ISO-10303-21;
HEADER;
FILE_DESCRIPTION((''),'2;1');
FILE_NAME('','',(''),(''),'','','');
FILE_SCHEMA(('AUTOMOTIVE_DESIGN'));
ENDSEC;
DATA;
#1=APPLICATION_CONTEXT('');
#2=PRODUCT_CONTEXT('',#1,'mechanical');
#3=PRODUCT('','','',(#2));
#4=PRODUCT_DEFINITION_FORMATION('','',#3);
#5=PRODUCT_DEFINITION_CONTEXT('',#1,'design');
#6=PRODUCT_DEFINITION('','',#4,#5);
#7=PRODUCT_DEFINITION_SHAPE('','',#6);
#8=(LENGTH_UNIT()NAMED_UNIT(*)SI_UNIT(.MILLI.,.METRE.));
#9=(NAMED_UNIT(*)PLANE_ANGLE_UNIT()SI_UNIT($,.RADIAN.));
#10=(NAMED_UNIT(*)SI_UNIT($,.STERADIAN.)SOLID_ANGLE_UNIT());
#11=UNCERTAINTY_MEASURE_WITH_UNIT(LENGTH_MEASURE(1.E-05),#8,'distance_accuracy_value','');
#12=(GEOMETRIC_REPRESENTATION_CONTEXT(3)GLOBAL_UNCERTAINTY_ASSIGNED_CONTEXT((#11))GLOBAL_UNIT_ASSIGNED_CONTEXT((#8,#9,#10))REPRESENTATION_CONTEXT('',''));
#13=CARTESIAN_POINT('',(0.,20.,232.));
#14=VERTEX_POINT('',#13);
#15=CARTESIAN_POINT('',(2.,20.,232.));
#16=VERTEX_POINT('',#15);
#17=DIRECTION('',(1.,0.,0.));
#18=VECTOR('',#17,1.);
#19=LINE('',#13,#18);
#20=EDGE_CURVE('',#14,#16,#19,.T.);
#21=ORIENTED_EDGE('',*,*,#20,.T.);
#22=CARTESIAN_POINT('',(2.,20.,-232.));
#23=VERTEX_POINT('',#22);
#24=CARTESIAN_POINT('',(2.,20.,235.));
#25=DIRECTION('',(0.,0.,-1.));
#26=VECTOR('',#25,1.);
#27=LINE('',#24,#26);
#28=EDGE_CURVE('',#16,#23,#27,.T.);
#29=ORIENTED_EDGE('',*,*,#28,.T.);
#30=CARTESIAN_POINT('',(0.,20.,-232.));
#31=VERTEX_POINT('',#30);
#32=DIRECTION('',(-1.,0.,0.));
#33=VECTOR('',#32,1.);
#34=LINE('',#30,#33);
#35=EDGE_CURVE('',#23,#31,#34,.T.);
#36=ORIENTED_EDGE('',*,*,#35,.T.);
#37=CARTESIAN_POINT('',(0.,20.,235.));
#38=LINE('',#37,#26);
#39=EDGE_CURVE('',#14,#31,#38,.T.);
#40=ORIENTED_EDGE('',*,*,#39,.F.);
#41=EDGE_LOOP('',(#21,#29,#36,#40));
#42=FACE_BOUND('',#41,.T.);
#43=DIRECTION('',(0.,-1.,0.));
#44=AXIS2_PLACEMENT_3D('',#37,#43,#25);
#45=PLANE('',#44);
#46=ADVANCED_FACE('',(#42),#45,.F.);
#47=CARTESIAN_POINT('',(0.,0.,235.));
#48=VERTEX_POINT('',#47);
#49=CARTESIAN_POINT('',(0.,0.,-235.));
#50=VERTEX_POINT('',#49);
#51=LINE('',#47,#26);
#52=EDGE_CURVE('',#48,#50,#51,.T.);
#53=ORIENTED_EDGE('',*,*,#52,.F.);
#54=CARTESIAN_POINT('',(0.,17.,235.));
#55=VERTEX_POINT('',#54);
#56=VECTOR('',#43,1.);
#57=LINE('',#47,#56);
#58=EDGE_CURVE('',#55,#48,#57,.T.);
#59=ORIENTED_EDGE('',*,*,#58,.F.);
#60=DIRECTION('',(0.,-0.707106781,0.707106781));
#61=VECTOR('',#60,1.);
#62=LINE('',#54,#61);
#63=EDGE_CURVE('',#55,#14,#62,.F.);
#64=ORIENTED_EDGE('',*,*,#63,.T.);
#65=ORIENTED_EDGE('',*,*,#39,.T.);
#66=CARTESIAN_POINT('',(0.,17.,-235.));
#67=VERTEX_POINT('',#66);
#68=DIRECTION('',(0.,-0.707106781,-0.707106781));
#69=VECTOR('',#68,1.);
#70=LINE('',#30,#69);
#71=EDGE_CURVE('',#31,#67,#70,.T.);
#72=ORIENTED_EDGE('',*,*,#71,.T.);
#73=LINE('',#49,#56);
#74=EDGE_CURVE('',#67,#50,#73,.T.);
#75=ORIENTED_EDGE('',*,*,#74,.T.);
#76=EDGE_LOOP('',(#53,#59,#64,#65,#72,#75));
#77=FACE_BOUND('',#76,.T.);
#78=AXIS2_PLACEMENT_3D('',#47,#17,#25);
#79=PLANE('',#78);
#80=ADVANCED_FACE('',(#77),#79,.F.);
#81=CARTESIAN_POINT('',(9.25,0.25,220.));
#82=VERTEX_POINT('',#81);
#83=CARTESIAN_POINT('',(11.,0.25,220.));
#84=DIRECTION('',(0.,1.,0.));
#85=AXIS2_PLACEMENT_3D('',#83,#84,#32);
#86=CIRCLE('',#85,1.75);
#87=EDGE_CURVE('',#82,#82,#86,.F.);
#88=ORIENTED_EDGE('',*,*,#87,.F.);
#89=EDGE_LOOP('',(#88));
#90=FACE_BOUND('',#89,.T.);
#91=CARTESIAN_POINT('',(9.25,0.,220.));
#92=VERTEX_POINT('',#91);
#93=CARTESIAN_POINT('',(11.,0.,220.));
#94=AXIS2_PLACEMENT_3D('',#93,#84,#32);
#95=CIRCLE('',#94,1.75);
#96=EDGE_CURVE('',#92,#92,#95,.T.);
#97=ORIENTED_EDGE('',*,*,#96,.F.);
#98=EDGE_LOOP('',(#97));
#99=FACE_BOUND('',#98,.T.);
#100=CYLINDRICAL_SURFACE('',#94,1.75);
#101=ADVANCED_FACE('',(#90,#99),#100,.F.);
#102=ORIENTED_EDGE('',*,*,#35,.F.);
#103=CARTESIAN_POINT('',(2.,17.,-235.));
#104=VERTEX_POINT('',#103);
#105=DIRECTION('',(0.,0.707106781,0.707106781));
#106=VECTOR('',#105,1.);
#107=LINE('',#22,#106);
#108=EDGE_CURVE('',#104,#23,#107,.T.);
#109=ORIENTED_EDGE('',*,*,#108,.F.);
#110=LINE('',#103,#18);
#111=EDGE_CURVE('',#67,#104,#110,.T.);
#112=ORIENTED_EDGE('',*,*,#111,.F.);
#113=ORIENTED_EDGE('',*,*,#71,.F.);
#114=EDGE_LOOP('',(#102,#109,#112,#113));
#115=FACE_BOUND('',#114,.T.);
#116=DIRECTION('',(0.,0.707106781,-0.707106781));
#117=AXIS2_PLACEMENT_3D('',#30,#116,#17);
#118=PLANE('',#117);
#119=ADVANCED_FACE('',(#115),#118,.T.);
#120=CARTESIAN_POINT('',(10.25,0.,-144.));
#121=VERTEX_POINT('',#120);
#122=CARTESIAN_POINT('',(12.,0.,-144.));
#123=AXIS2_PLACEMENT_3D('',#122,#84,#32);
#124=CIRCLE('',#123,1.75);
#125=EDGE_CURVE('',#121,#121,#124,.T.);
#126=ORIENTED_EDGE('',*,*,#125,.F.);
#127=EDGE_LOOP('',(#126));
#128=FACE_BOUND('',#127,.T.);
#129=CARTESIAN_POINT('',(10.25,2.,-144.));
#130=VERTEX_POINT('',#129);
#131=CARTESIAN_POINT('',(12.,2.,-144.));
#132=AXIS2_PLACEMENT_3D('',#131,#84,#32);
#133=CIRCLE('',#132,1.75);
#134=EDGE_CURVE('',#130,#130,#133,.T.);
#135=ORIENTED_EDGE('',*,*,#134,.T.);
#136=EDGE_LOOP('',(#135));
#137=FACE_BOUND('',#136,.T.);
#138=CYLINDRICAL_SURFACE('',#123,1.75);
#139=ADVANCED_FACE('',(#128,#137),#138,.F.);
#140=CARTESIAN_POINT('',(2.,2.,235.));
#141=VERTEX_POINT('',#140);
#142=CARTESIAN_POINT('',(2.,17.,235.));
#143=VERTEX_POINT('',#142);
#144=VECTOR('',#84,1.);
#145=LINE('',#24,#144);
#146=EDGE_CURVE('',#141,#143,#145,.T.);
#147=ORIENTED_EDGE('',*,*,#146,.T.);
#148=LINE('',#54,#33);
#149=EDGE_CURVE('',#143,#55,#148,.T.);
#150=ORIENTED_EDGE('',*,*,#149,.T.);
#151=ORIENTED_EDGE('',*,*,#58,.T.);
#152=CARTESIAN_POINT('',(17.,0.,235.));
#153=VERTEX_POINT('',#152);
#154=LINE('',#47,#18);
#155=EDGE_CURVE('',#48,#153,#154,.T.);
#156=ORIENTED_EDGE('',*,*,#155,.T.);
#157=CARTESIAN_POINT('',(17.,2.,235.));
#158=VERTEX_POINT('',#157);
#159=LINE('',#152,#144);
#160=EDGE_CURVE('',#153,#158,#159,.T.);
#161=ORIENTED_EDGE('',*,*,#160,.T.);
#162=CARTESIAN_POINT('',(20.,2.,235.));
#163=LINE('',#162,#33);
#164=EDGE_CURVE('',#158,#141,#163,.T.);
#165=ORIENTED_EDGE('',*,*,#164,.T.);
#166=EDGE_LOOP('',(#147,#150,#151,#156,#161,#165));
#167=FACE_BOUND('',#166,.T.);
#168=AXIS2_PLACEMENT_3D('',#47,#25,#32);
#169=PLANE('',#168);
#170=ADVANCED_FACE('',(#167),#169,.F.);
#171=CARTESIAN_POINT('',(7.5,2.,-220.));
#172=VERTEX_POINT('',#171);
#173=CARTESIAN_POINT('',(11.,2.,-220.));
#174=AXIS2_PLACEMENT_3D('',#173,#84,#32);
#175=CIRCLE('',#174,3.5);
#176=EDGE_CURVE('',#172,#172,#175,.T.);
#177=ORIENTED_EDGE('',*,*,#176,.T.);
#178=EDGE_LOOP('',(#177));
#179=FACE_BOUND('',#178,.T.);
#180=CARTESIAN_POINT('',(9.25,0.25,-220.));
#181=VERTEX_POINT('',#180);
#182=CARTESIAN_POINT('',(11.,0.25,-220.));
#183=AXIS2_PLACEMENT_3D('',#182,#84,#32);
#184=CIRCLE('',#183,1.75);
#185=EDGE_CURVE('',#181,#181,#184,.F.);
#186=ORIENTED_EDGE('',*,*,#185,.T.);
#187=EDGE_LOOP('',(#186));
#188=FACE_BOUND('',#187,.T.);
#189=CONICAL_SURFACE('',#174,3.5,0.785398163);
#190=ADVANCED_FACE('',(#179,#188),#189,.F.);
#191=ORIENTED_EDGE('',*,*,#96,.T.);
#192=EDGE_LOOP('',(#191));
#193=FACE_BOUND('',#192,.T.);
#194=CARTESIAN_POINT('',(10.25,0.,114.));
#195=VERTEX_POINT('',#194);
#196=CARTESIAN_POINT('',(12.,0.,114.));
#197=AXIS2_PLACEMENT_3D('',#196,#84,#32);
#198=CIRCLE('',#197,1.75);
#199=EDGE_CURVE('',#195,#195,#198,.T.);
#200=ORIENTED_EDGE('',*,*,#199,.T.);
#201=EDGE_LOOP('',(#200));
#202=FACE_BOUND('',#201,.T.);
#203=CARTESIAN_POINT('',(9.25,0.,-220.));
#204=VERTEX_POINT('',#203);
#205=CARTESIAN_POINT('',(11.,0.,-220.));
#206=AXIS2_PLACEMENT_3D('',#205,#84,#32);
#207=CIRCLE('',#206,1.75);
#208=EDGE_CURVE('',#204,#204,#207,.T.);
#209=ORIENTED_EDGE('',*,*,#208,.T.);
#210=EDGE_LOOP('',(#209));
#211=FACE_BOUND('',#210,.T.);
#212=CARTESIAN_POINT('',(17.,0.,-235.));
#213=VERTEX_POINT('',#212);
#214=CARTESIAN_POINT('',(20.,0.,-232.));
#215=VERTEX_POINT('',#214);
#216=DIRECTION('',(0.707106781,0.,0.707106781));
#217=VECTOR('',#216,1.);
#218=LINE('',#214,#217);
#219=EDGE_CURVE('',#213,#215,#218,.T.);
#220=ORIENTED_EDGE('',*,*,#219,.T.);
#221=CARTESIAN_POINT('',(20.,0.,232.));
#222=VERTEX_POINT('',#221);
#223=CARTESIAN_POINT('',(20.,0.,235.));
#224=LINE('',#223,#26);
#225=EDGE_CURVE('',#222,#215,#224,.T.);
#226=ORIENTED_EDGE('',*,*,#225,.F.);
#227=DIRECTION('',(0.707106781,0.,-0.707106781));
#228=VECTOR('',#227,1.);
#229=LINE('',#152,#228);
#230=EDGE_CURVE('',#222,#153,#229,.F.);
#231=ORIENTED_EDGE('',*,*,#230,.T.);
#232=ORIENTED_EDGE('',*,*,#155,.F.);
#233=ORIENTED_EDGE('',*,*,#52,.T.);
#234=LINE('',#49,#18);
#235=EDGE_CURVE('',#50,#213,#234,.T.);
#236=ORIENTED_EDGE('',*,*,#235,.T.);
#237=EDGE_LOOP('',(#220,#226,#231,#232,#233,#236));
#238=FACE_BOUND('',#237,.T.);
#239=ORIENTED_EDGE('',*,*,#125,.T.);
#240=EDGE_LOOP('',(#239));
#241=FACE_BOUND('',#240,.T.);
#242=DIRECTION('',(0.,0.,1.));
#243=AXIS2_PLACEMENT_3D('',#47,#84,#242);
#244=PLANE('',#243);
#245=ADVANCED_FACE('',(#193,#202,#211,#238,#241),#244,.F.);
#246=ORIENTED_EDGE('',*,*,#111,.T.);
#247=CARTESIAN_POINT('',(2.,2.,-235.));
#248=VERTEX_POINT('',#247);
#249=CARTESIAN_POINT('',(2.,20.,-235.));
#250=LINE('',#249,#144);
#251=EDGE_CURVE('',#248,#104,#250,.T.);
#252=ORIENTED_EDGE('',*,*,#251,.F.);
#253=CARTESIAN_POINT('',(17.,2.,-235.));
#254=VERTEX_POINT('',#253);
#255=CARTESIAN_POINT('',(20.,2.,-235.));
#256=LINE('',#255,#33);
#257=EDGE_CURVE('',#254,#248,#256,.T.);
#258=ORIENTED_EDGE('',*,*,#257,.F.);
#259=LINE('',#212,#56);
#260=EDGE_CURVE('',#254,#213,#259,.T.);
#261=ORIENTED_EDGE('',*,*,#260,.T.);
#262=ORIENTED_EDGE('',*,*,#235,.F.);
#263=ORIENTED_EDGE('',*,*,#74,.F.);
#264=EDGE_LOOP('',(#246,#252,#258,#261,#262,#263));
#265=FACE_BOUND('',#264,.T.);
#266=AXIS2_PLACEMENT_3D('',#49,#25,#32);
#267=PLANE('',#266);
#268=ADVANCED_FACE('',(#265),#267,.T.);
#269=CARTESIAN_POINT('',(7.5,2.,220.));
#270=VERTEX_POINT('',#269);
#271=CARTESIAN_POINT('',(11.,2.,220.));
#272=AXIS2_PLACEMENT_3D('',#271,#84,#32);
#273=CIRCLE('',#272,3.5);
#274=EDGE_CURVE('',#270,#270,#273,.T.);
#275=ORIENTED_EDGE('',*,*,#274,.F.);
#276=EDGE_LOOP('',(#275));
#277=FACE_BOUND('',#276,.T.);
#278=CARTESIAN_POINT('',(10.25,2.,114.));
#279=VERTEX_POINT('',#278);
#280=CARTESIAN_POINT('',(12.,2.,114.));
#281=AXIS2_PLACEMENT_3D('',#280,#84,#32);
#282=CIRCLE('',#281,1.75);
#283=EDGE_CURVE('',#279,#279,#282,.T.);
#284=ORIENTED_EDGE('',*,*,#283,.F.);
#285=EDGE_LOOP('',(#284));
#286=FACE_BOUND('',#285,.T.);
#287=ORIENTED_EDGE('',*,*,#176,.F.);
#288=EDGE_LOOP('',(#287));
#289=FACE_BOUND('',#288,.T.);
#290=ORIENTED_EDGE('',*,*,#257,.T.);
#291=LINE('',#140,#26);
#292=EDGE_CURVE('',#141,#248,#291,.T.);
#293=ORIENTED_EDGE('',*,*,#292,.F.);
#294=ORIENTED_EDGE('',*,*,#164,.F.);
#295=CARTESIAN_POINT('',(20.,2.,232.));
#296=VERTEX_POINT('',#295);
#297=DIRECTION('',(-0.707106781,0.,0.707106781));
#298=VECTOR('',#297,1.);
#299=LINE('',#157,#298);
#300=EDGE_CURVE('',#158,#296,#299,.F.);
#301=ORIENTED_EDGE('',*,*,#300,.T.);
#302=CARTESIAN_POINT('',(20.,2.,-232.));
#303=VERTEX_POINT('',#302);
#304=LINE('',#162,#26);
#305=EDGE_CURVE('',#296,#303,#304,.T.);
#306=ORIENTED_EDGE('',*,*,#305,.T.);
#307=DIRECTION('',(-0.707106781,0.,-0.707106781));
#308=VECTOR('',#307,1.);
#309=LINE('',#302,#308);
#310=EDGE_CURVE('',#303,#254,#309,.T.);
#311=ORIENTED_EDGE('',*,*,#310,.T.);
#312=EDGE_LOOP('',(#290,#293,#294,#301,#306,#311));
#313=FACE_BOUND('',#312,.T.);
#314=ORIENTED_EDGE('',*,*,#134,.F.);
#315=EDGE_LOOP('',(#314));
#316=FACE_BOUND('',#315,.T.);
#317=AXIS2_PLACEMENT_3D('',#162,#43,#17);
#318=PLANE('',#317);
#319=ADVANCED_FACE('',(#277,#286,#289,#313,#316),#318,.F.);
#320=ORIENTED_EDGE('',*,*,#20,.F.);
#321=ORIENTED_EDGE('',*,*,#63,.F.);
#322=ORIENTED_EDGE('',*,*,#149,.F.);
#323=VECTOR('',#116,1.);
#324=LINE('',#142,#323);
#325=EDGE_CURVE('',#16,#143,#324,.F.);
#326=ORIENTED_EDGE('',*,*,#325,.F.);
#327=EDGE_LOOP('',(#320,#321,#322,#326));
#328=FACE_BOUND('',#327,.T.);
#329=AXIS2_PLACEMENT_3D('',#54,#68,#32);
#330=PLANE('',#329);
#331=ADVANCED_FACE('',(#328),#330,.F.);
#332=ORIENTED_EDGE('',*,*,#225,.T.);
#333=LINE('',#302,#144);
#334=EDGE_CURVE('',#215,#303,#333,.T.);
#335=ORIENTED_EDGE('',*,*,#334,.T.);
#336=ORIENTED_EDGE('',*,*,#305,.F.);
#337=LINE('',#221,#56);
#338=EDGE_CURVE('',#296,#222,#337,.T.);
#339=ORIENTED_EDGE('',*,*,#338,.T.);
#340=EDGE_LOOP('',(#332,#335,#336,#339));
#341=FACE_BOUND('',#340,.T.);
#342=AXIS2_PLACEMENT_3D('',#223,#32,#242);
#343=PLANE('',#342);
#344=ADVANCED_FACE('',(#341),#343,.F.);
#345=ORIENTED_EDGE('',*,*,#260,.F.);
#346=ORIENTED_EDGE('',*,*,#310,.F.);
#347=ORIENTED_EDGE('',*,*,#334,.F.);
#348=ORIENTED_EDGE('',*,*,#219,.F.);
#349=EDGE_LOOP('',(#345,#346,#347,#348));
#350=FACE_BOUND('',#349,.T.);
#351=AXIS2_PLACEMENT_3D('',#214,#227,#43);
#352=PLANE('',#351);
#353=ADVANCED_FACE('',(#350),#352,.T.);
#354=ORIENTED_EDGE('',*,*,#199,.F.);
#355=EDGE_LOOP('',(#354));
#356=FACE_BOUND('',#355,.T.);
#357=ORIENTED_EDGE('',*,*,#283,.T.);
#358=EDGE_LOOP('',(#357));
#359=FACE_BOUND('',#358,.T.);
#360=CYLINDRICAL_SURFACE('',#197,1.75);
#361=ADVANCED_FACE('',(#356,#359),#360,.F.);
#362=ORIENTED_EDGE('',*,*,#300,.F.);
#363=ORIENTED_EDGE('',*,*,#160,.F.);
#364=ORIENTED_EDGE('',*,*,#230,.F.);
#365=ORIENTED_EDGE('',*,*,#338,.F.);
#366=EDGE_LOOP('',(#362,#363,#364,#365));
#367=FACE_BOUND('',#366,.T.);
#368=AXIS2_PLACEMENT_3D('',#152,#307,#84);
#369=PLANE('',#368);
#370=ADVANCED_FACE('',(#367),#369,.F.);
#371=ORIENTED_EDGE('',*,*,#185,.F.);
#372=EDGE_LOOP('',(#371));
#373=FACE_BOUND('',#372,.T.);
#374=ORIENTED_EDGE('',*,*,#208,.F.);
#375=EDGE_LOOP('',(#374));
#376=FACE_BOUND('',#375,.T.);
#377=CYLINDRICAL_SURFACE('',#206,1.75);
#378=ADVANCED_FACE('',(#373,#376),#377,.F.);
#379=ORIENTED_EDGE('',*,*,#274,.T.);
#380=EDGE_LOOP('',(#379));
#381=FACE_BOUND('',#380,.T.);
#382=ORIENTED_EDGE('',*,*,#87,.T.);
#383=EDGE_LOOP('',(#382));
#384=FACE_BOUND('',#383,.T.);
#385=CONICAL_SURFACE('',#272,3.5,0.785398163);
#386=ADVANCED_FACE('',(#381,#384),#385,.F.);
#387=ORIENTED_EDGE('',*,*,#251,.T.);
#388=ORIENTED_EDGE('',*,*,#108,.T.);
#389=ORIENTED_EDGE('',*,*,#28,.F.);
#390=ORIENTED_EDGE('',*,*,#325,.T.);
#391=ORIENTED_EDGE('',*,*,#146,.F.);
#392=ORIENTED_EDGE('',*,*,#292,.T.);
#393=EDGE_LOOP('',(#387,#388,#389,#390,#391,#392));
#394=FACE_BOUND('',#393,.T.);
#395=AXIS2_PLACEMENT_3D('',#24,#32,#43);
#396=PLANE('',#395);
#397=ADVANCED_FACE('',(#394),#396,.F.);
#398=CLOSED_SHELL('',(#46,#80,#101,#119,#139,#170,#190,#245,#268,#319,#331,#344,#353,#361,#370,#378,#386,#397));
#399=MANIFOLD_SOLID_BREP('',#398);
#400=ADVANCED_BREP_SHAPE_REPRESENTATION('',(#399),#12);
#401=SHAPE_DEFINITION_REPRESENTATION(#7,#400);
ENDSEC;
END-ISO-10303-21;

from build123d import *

# Parameters (mm, degrees)
BOSS_EXTRUDE1_DEPTH = 235
SKETCH3_R           = 1.75
CUT_EXTRUDE2_DEPTH  = 237.535409611
CHAMFER1_SIZE       = 3
SKETCH4_R           = 1.75
CUT_EXTRUDE3_DEPTH  = 237.535409611


with BuildPart() as part:
    # Sketch1 → Boss-Extrude1 (new, symmetric)
    with BuildSketch(Plane.XY):
        Polygon((0, 0), (20, 0), (20, 2), (2, 2), (2, 20), (0, 20), align=None)
    extrude(amount=BOSS_EXTRUDE1_DEPTH, both=True)

    # Cut-Extrude1 cone 1 section (through the dimple's axis) → Cut-Extrude1 (revolve, cut)
    with BuildSketch(Plane(origin=(11, 2, -220), x_dir=(0, 0, 1), z_dir=(1, 0, 0))):
        Polygon((0, 0), (3.5, 0), (0, 3.5), align=None)
    revolve(axis=Axis((11, 2, -220), (0, -1, 0)), mode=Mode.SUBTRACT)

    # Cut-Extrude1 cone 2 section (through the dimple's axis) → Cut-Extrude1 cone 2 (revolve, cut)
    with BuildSketch(Plane(origin=(11, 2, 220), x_dir=(0, 0, 1), z_dir=(1, 0, 0))):
        Polygon((0, 0), (3.5, 0), (0, 3.5), align=None)
    revolve(axis=Axis((11, 2, 220), (0, -1, 0)), mode=Mode.SUBTRACT)

    # Sketch3 → Cut-Extrude2 (cut, through all)
    with BuildSketch(Plane(origin=(0, 2, 0), x_dir=(1, 0, 0), z_dir=(0, 1, 0))):
        with Locations(Location((11, -220, 0), (0, 0, 180))):
            Circle(SKETCH3_R)
        with Locations(Location((11, 220, 0), (0, 0, 180))):
            Circle(SKETCH3_R)
    extrude(amount=-CUT_EXTRUDE2_DEPTH, mode=Mode.SUBTRACT)

    # Chamfer1
    chamfer1_edges = [part.edges().sort_by_distance(p)[0] for p in [
        (20, 1, 235),
        (1, 20, 235),
        (1, 20, -235),
        (20, 1, -235),
    ]]
    chamfer(chamfer1_edges, length=CHAMFER1_SIZE)

    # Sketch4 → Cut-Extrude3 (cut, through all)
    with BuildSketch(Plane(origin=(0, 2, 0), x_dir=(1, 0, 0), z_dir=(0, 1, 0))):
        with Locations(Location((12, 144, 0), (0, 0, 180))):
            Circle(SKETCH4_R)
        with Locations(Location((12, -114, 0), (0, 0, 180))):
            Circle(SKETCH4_R)
    extrude(amount=-CUT_EXTRUDE3_DEPTH, mode=Mode.SUBTRACT)


solid = part.part
